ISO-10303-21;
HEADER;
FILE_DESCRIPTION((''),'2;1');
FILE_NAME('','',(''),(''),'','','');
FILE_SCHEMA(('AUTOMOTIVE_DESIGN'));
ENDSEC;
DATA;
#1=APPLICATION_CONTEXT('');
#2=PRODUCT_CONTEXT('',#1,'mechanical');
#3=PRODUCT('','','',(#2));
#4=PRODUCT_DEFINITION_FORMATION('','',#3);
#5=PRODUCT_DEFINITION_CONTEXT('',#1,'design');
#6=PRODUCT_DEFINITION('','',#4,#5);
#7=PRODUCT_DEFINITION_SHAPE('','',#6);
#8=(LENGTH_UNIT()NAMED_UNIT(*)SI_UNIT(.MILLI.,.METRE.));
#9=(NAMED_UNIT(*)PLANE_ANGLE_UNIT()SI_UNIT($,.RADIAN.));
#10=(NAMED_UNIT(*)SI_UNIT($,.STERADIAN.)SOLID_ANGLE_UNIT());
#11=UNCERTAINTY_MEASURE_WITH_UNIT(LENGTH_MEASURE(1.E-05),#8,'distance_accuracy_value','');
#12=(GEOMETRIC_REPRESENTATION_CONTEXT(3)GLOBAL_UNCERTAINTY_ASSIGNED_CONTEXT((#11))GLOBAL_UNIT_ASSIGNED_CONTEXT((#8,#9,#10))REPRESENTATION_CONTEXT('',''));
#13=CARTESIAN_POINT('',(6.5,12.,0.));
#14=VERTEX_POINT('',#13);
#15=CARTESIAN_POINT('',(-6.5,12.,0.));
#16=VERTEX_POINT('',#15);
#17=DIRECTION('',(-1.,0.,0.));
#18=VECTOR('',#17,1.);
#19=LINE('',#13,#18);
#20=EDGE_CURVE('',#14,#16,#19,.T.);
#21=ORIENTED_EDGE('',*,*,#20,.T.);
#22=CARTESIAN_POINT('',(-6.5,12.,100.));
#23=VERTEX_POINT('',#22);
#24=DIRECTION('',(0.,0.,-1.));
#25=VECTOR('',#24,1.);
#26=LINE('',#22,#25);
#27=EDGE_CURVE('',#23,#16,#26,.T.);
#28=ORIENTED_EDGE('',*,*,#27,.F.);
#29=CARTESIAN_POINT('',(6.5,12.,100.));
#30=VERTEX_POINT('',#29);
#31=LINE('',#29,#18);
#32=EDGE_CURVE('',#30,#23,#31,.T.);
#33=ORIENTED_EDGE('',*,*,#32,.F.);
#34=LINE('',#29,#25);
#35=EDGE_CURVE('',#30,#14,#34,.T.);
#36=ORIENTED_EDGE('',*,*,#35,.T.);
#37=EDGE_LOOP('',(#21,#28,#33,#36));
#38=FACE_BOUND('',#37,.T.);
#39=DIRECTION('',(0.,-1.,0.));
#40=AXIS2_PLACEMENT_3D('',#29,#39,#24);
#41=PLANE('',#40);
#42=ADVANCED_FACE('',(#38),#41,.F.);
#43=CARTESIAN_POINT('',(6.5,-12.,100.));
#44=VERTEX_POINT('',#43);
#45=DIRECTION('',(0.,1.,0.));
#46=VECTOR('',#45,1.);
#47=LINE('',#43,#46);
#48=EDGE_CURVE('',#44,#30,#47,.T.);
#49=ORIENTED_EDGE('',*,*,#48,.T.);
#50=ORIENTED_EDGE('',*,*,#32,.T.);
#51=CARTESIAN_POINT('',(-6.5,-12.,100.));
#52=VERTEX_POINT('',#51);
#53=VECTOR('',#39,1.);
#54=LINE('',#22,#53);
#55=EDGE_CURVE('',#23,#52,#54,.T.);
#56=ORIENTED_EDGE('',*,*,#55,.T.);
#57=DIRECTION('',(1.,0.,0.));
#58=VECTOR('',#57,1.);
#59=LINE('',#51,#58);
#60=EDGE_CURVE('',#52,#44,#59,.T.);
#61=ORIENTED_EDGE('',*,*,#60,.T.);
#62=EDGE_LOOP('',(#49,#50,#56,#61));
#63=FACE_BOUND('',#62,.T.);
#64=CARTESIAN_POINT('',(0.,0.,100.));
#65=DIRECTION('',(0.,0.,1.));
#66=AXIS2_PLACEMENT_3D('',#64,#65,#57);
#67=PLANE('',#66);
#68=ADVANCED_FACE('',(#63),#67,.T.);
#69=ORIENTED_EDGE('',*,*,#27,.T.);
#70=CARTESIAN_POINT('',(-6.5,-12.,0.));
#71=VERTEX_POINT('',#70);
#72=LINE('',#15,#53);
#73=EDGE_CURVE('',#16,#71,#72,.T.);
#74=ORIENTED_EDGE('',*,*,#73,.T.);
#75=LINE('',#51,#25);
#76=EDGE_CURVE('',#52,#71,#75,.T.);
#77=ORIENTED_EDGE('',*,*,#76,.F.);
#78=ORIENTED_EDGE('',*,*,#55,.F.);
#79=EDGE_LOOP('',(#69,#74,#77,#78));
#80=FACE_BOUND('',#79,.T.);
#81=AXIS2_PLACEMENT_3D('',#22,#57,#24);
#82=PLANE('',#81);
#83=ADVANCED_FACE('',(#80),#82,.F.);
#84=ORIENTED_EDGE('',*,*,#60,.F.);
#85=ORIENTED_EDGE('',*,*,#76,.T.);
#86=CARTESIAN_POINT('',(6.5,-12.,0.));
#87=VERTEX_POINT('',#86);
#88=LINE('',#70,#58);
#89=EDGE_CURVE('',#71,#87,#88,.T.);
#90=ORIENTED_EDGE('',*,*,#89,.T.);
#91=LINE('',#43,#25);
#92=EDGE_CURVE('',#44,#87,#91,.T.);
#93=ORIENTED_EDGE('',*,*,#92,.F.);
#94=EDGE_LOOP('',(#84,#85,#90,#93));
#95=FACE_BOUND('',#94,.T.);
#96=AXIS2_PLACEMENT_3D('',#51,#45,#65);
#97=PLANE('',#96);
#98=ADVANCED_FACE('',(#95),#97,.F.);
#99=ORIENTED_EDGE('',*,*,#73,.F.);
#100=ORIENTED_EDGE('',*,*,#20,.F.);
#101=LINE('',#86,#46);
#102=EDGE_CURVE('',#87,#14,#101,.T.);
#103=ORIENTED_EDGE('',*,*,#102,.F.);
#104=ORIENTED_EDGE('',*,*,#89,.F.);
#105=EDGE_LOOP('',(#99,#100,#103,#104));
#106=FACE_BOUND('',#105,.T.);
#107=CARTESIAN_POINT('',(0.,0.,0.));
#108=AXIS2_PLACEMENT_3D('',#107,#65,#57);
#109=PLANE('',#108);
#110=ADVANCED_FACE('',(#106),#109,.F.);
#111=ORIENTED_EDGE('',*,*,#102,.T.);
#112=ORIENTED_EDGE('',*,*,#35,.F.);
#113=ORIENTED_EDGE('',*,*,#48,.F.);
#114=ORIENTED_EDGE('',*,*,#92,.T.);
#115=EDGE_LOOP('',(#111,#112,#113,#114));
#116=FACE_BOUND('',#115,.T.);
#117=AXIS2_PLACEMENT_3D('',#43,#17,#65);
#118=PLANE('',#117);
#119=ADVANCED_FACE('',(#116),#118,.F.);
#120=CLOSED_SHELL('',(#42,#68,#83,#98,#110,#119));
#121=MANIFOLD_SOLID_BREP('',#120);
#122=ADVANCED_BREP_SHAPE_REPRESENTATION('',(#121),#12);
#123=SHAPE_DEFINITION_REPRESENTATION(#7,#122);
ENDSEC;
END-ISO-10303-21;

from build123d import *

# Parameters (mm, degrees)
SKETCH_1_W      = 13
SKETCH_1_H      = 24
EXTRUDE_1_DEPTH = 100


with BuildPart() as part:
    # 草圖1 → 填料-伸長1 (new body)
    with BuildSketch(Plane.XY):
        Rectangle(SKETCH_1_W, SKETCH_1_H)
    extrude(amount=EXTRUDE_1_DEPTH)


solid = part.part
